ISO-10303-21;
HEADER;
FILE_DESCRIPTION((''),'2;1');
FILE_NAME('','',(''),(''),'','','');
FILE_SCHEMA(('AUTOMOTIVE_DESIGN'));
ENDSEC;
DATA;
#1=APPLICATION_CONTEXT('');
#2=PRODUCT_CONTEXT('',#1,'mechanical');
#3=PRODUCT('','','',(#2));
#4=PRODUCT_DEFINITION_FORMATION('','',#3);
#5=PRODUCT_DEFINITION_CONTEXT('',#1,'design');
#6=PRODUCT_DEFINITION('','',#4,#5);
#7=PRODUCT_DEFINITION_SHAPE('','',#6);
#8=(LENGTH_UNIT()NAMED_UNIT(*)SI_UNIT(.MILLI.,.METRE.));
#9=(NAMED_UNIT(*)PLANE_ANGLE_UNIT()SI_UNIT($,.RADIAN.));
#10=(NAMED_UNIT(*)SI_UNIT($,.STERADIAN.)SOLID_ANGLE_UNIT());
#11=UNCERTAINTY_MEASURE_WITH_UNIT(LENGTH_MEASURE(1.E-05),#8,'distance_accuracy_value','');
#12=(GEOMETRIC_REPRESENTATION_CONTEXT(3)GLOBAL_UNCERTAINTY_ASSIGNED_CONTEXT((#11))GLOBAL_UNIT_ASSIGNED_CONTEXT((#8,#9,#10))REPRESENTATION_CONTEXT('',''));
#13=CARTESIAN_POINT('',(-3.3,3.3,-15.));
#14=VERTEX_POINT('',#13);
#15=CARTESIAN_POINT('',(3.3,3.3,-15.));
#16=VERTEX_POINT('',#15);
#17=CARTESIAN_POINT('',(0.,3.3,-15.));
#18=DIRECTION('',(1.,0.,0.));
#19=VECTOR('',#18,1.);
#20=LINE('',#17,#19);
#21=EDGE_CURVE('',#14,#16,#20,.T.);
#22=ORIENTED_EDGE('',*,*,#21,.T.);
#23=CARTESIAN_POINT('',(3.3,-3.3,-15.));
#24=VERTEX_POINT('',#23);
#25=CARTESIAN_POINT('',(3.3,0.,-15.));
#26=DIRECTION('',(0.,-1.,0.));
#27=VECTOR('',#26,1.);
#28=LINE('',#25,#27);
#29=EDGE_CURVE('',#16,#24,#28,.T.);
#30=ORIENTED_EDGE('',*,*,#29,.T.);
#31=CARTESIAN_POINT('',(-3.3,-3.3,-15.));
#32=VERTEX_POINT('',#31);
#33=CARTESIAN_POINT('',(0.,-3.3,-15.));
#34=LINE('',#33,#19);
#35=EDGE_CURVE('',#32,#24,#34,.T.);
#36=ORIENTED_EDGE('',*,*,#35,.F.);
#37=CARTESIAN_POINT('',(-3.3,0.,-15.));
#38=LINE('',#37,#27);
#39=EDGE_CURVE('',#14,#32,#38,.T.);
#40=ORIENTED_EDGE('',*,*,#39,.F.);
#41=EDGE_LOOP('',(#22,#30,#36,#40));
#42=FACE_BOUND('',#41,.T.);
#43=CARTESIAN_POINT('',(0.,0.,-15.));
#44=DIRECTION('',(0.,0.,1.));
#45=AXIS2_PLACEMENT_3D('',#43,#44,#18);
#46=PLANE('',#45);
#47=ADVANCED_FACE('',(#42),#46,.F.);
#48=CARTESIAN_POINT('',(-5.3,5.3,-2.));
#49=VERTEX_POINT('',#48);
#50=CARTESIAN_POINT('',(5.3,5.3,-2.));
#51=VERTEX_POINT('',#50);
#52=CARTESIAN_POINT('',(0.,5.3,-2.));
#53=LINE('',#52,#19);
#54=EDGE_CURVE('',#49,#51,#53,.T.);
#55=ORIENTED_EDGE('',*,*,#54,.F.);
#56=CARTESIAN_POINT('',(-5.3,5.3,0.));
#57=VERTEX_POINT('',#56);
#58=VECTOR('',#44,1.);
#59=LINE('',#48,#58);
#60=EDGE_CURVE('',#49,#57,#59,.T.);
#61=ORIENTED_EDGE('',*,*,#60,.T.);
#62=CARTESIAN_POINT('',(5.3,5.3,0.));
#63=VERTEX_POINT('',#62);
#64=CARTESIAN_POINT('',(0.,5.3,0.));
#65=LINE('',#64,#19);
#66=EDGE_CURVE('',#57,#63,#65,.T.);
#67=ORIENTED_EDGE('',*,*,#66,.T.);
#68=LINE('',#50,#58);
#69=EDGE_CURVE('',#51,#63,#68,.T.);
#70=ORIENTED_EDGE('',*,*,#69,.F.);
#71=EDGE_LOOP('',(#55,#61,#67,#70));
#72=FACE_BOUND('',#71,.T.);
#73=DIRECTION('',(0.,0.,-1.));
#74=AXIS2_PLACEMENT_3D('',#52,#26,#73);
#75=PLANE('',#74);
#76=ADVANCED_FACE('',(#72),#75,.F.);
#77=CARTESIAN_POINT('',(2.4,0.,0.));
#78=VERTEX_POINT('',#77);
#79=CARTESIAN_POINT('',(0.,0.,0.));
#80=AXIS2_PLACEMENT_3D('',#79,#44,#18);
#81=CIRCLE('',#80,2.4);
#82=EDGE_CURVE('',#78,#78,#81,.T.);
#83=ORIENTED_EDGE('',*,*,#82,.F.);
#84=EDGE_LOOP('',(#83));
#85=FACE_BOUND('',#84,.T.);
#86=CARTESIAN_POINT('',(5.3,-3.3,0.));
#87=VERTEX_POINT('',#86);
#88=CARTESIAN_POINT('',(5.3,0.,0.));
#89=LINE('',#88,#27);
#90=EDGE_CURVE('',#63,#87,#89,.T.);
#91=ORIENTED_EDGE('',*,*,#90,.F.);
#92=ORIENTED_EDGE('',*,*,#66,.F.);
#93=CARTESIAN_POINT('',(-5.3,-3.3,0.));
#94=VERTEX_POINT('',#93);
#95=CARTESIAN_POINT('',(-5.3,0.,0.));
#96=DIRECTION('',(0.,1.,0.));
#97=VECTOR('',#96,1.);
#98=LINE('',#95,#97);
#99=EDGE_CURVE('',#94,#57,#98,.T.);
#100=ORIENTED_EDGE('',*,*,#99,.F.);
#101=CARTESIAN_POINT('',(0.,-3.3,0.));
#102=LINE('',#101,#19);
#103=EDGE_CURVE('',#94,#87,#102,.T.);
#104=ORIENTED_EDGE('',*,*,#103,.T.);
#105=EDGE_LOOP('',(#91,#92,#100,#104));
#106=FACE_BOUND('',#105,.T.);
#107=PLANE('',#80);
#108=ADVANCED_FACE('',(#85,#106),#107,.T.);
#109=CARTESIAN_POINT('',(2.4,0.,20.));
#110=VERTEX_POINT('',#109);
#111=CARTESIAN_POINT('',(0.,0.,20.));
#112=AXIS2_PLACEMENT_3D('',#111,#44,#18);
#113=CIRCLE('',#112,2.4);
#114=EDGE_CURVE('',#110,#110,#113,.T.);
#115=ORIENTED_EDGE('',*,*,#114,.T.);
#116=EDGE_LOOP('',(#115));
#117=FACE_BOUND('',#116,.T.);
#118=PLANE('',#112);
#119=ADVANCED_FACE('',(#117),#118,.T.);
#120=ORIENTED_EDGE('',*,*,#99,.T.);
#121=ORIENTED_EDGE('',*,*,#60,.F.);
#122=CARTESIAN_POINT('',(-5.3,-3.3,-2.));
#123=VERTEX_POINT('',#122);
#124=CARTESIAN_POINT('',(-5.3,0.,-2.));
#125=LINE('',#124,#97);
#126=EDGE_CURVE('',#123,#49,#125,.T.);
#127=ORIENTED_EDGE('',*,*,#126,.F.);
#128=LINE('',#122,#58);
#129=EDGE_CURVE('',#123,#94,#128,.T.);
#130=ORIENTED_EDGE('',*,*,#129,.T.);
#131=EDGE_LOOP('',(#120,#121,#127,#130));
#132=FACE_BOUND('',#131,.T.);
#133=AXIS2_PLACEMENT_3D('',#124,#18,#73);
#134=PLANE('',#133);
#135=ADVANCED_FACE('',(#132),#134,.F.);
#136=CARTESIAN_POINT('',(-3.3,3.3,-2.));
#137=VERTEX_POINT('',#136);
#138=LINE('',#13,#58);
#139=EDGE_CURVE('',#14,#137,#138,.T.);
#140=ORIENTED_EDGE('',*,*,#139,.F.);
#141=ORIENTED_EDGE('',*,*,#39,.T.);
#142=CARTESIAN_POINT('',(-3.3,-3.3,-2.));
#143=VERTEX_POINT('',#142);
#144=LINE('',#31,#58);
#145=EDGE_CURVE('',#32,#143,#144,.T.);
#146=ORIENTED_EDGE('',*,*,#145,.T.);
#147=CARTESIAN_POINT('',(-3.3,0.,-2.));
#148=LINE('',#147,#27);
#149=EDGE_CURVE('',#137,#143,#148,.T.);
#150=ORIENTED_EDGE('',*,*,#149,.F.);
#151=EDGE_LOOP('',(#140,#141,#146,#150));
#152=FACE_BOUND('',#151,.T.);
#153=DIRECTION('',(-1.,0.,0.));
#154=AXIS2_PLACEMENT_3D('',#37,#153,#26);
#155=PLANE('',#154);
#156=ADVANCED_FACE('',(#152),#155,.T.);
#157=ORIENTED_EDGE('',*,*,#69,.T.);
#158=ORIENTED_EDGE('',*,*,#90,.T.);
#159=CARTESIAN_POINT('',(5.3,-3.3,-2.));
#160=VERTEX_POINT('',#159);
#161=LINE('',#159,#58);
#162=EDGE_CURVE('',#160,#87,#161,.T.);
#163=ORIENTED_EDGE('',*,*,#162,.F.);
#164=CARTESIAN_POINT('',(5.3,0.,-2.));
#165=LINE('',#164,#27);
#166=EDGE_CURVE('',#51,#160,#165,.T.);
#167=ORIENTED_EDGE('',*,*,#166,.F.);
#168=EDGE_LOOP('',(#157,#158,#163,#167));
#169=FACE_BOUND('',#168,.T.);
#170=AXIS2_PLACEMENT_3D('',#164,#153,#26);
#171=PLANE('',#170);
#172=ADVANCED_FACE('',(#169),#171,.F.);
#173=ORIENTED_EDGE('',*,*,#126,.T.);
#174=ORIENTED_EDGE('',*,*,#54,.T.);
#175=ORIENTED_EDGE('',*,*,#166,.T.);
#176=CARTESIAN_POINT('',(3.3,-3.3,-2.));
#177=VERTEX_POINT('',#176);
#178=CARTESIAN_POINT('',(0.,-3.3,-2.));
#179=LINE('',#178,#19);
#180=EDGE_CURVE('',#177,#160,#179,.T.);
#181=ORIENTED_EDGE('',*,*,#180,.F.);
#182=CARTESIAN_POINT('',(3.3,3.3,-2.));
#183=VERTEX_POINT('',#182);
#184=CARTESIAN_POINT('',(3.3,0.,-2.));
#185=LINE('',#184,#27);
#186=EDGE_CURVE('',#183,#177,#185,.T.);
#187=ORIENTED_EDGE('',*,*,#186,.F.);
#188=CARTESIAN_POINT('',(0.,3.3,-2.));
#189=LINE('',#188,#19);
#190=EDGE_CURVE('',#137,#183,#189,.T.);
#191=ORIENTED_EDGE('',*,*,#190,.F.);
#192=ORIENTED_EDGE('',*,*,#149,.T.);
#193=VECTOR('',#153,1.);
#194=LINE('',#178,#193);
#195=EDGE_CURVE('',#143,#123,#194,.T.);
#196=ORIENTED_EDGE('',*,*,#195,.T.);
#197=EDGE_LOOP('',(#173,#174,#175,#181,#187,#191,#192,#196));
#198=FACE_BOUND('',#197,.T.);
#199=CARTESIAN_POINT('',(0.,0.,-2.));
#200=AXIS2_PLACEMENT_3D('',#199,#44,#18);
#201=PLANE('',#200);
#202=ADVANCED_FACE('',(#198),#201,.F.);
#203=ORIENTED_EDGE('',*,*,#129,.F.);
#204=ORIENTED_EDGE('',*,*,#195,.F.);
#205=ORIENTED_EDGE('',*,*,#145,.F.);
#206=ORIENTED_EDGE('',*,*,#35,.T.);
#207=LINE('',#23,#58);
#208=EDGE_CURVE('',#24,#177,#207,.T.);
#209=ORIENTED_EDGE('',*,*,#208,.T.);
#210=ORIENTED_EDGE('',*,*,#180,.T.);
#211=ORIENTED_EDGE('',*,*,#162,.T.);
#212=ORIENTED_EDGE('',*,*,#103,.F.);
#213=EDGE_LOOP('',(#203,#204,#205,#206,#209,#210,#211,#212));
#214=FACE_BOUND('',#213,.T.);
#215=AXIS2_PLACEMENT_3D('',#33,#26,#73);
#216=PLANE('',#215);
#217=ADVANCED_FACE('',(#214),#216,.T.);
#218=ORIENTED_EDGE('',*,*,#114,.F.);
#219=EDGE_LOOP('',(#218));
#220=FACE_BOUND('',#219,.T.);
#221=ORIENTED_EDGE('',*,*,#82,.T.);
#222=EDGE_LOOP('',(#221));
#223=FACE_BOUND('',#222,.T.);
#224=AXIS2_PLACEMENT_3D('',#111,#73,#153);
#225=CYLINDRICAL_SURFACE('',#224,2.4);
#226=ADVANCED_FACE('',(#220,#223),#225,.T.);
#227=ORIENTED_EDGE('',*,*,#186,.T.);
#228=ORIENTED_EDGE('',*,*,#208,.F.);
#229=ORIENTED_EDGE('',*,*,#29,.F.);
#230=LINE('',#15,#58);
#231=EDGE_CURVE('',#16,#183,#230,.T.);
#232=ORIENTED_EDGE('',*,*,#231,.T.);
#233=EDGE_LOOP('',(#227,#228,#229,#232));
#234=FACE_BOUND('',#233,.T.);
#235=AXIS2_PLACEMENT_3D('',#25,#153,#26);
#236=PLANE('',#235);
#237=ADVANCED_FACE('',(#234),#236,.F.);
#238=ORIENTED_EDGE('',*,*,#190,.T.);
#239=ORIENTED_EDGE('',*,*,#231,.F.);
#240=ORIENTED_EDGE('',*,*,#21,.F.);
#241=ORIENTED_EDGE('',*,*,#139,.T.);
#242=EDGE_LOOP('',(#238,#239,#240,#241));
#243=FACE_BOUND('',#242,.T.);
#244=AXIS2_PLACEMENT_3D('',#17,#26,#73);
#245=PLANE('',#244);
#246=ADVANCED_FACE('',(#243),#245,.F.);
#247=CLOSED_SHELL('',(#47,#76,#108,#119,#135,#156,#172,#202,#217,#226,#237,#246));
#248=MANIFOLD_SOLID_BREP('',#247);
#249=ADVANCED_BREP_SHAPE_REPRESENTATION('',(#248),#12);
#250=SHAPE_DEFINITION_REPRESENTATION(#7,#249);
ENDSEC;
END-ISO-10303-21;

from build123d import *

# Parameters (mm, degrees)
SKETCH3_R           = 2.4
BOSS_EXTRUDE1_DEPTH = 20
SKETCH3_4_W         = 6.6
SKETCH3_4_H         = 6.6
BOSS_EXTRUDE2_DEPTH = 15
BOSS_EXTRUDE3_DEPTH = 2


with BuildPart() as part:
    # Sketch3 → Boss-Extrude1 (new body)
    with BuildSketch(Plane.XY):
        Circle(SKETCH3_R)
    extrude(amount=BOSS_EXTRUDE1_DEPTH)

    # Sketch3<4> → Boss-Extrude2 (add)
    with BuildSketch(Plane.XY):
        Rectangle(SKETCH3_4_W, SKETCH3_4_H)
    extrude(amount=-BOSS_EXTRUDE2_DEPTH)

    # Sketch3<5> → Boss-Extrude3 (add)
    with BuildSketch(Plane.XY):
        Polygon((-5.3, -3.3), (-3.3, -3.3), (-3.3, 3.3), (3.3, 3.3), (3.3, -3.3), (5.3, -3.3), (5.3, 5.3), (-5.3, 5.3), align=None)
    extrude(amount=-BOSS_EXTRUDE3_DEPTH)


solid = part.part
